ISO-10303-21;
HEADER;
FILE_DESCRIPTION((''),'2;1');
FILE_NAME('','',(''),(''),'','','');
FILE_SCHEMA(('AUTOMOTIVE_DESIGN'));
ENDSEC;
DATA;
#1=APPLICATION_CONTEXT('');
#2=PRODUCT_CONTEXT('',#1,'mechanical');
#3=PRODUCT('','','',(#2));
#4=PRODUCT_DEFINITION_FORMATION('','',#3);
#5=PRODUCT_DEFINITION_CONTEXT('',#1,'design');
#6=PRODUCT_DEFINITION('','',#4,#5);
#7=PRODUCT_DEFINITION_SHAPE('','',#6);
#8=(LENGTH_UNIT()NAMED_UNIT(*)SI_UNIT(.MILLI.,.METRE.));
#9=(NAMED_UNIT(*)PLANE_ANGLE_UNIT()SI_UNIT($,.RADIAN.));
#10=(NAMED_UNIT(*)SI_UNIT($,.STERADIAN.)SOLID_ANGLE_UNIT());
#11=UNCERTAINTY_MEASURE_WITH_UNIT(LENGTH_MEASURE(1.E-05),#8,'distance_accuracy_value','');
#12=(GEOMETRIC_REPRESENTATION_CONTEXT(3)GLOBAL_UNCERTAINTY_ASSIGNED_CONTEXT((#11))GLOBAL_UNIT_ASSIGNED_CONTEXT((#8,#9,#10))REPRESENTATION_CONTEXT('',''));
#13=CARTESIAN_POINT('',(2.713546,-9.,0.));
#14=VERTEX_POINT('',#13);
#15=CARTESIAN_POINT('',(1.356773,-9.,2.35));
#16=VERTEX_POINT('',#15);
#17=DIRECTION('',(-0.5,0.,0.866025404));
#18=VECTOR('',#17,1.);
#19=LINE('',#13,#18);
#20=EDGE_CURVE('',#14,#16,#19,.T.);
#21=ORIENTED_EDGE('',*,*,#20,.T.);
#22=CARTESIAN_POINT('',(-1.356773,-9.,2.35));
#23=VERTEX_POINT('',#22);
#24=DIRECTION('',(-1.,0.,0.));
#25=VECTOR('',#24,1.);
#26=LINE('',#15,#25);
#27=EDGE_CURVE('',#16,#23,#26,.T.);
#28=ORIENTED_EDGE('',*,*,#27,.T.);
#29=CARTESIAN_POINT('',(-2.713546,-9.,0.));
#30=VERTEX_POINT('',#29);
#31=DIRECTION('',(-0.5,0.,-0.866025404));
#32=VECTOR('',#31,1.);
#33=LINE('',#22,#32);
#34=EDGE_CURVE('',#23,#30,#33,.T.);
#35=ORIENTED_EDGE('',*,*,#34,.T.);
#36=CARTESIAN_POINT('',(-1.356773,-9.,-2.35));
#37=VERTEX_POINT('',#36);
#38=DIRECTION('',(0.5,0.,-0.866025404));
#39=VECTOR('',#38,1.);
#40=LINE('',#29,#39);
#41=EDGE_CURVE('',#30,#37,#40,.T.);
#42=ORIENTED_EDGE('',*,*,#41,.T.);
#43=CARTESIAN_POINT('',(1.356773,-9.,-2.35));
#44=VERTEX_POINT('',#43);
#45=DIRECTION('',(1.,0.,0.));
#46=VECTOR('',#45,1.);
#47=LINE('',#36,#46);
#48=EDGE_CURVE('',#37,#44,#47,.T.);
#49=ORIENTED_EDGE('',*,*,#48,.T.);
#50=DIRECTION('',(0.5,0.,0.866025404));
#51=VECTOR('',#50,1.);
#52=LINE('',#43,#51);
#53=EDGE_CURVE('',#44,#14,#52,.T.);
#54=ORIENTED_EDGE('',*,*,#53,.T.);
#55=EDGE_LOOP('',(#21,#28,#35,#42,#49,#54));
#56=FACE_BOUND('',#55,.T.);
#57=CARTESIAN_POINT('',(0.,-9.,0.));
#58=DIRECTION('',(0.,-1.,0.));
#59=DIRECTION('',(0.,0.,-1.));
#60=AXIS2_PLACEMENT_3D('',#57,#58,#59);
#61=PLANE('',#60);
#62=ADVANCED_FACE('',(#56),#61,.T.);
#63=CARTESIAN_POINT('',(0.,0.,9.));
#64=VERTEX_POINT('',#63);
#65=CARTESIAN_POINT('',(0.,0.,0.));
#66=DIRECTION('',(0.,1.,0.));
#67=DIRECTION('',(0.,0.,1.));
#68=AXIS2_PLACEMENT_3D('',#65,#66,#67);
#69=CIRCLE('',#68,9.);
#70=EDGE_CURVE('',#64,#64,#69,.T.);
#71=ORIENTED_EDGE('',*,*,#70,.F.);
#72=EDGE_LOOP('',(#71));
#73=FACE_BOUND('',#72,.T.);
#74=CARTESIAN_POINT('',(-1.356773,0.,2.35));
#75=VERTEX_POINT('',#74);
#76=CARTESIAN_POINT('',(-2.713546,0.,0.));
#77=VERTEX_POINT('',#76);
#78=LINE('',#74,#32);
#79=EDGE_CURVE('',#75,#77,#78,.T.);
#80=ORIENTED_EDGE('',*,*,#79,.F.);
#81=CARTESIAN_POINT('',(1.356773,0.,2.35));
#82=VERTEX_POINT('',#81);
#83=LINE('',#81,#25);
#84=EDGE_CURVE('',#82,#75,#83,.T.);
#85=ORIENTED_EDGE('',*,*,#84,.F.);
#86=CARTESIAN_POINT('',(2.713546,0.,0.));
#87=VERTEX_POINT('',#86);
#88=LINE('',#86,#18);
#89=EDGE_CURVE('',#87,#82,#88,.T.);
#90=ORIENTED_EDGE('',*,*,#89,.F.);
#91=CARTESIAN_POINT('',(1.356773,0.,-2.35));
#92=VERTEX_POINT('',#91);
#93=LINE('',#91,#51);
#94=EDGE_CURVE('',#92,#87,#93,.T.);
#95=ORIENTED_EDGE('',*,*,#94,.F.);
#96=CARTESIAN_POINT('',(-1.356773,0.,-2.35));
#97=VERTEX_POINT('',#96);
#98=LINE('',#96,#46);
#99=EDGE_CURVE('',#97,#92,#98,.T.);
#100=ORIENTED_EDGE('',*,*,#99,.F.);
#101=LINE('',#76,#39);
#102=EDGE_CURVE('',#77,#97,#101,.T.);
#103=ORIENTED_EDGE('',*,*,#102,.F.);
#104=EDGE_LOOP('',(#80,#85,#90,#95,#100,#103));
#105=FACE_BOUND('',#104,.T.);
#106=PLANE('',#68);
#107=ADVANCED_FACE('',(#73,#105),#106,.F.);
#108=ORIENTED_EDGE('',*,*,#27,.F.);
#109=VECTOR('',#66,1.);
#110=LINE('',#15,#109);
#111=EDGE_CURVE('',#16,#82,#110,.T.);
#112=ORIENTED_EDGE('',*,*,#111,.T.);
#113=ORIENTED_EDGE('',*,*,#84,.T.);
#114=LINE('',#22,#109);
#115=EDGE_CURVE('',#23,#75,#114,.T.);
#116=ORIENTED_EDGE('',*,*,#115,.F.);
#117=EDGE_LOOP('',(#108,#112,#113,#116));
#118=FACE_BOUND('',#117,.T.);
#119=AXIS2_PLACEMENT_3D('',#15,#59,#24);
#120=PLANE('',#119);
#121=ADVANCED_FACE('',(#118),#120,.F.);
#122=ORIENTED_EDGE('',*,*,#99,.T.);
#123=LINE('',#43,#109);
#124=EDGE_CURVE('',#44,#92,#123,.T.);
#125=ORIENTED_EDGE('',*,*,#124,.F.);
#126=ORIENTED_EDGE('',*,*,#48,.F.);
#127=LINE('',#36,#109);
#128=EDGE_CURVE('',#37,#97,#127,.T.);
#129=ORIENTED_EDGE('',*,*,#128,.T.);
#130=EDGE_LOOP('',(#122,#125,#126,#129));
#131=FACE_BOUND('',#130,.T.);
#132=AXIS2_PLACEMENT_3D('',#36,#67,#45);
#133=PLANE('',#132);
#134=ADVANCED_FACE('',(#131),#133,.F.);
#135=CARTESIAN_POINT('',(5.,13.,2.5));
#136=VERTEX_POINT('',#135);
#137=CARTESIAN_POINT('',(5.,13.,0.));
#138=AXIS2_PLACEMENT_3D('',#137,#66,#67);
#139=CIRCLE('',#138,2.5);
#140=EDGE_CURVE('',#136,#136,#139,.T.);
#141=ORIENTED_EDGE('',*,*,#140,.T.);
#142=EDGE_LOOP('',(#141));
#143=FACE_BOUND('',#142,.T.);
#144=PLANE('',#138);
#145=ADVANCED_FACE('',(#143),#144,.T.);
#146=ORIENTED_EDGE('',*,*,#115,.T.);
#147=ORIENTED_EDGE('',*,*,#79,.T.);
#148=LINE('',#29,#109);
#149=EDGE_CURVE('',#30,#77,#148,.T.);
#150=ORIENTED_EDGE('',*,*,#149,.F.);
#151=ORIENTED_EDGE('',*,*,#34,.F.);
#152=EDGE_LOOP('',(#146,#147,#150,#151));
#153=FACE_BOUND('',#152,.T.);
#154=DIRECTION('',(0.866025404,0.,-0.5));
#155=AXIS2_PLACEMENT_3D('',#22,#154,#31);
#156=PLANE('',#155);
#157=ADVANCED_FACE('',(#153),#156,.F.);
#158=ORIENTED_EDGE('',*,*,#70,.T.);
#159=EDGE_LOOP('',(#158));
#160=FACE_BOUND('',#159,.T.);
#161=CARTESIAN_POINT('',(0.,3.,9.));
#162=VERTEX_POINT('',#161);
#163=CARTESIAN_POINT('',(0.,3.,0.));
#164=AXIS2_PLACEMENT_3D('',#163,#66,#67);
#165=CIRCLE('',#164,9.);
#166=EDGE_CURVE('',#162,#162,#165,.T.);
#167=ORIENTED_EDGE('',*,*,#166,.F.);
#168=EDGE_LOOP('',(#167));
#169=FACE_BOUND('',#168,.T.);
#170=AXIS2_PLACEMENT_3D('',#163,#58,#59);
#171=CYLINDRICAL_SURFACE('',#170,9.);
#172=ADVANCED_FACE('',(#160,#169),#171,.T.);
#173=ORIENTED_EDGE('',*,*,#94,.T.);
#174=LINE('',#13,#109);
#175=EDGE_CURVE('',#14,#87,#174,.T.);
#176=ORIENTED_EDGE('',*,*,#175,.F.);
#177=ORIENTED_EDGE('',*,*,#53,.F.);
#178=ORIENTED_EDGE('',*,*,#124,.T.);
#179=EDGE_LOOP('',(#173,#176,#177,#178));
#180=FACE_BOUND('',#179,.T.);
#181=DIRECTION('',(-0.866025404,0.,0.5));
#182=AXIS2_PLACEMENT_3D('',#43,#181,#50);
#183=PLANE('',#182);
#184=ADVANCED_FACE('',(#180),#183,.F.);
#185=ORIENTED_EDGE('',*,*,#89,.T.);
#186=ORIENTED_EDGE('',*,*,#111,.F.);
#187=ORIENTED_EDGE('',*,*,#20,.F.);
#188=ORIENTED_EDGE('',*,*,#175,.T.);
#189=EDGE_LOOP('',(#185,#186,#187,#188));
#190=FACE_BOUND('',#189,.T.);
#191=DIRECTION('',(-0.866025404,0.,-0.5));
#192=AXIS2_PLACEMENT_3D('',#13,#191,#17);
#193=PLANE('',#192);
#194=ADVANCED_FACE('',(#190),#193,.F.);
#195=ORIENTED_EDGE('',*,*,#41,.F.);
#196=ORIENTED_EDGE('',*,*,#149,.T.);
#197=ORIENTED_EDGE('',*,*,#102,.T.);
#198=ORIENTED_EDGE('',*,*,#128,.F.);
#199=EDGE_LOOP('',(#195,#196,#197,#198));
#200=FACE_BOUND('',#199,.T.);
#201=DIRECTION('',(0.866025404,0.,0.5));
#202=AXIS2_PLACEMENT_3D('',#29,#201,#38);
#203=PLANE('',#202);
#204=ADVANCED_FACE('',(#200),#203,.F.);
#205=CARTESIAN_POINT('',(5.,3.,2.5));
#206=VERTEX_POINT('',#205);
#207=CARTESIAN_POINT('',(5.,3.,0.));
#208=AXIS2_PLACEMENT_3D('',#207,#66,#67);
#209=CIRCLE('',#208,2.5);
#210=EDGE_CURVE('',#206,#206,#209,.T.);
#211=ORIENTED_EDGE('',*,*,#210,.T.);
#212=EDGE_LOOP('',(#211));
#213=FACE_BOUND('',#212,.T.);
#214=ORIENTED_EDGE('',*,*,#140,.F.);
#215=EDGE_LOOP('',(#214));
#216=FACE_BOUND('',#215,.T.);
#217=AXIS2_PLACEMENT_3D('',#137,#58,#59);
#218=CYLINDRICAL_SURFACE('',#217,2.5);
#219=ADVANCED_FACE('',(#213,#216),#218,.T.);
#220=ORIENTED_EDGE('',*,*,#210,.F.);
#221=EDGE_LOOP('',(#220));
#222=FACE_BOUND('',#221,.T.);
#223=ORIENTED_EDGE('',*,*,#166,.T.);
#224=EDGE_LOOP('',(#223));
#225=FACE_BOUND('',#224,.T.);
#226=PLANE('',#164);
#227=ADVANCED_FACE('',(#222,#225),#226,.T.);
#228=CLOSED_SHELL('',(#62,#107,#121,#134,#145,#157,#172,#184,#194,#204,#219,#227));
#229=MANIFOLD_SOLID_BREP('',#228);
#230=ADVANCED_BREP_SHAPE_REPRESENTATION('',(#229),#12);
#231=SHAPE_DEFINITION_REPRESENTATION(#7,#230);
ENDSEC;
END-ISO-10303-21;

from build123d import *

# Parameters (mm, degrees)
SKETCH1_R           = 9
BOSS_EXTRUDE1_DEPTH = 3
SKETCH2_R           = 2.5
BOSS_EXTRUDE2_DEPTH = 10
BOSS_EXTRUDE3_DEPTH = 9


with BuildPart() as part:
    # Sketch1 → Boss-Extrude1 (new body)
    with BuildSketch(Plane(origin=(0, 0, 0), x_dir=(1, 0, 0), z_dir=(0, 1, 0))):
        Circle(SKETCH1_R)
    extrude(amount=BOSS_EXTRUDE1_DEPTH)

    # Sketch2 → Boss-Extrude2 (add)
    with BuildSketch(Plane(origin=(0, 3, 0), x_dir=(1, 0, 0), z_dir=(0, 1, 0))):
        with Locations((5, 0)):
            Circle(SKETCH2_R)
    extrude(amount=BOSS_EXTRUDE2_DEPTH)

    # Sketch3 → Boss-Extrude3 (add)
    with BuildSketch(Plane.XZ):
        Polygon((2.713546265, 0), (1.356773133, 2.35), (-1.356773133, 2.35), (-2.713546265, 0), (-1.356773133, -2.35), (1.356773133, -2.35), align=None)
    extrude(amount=BOSS_EXTRUDE3_DEPTH)


solid = part.part
